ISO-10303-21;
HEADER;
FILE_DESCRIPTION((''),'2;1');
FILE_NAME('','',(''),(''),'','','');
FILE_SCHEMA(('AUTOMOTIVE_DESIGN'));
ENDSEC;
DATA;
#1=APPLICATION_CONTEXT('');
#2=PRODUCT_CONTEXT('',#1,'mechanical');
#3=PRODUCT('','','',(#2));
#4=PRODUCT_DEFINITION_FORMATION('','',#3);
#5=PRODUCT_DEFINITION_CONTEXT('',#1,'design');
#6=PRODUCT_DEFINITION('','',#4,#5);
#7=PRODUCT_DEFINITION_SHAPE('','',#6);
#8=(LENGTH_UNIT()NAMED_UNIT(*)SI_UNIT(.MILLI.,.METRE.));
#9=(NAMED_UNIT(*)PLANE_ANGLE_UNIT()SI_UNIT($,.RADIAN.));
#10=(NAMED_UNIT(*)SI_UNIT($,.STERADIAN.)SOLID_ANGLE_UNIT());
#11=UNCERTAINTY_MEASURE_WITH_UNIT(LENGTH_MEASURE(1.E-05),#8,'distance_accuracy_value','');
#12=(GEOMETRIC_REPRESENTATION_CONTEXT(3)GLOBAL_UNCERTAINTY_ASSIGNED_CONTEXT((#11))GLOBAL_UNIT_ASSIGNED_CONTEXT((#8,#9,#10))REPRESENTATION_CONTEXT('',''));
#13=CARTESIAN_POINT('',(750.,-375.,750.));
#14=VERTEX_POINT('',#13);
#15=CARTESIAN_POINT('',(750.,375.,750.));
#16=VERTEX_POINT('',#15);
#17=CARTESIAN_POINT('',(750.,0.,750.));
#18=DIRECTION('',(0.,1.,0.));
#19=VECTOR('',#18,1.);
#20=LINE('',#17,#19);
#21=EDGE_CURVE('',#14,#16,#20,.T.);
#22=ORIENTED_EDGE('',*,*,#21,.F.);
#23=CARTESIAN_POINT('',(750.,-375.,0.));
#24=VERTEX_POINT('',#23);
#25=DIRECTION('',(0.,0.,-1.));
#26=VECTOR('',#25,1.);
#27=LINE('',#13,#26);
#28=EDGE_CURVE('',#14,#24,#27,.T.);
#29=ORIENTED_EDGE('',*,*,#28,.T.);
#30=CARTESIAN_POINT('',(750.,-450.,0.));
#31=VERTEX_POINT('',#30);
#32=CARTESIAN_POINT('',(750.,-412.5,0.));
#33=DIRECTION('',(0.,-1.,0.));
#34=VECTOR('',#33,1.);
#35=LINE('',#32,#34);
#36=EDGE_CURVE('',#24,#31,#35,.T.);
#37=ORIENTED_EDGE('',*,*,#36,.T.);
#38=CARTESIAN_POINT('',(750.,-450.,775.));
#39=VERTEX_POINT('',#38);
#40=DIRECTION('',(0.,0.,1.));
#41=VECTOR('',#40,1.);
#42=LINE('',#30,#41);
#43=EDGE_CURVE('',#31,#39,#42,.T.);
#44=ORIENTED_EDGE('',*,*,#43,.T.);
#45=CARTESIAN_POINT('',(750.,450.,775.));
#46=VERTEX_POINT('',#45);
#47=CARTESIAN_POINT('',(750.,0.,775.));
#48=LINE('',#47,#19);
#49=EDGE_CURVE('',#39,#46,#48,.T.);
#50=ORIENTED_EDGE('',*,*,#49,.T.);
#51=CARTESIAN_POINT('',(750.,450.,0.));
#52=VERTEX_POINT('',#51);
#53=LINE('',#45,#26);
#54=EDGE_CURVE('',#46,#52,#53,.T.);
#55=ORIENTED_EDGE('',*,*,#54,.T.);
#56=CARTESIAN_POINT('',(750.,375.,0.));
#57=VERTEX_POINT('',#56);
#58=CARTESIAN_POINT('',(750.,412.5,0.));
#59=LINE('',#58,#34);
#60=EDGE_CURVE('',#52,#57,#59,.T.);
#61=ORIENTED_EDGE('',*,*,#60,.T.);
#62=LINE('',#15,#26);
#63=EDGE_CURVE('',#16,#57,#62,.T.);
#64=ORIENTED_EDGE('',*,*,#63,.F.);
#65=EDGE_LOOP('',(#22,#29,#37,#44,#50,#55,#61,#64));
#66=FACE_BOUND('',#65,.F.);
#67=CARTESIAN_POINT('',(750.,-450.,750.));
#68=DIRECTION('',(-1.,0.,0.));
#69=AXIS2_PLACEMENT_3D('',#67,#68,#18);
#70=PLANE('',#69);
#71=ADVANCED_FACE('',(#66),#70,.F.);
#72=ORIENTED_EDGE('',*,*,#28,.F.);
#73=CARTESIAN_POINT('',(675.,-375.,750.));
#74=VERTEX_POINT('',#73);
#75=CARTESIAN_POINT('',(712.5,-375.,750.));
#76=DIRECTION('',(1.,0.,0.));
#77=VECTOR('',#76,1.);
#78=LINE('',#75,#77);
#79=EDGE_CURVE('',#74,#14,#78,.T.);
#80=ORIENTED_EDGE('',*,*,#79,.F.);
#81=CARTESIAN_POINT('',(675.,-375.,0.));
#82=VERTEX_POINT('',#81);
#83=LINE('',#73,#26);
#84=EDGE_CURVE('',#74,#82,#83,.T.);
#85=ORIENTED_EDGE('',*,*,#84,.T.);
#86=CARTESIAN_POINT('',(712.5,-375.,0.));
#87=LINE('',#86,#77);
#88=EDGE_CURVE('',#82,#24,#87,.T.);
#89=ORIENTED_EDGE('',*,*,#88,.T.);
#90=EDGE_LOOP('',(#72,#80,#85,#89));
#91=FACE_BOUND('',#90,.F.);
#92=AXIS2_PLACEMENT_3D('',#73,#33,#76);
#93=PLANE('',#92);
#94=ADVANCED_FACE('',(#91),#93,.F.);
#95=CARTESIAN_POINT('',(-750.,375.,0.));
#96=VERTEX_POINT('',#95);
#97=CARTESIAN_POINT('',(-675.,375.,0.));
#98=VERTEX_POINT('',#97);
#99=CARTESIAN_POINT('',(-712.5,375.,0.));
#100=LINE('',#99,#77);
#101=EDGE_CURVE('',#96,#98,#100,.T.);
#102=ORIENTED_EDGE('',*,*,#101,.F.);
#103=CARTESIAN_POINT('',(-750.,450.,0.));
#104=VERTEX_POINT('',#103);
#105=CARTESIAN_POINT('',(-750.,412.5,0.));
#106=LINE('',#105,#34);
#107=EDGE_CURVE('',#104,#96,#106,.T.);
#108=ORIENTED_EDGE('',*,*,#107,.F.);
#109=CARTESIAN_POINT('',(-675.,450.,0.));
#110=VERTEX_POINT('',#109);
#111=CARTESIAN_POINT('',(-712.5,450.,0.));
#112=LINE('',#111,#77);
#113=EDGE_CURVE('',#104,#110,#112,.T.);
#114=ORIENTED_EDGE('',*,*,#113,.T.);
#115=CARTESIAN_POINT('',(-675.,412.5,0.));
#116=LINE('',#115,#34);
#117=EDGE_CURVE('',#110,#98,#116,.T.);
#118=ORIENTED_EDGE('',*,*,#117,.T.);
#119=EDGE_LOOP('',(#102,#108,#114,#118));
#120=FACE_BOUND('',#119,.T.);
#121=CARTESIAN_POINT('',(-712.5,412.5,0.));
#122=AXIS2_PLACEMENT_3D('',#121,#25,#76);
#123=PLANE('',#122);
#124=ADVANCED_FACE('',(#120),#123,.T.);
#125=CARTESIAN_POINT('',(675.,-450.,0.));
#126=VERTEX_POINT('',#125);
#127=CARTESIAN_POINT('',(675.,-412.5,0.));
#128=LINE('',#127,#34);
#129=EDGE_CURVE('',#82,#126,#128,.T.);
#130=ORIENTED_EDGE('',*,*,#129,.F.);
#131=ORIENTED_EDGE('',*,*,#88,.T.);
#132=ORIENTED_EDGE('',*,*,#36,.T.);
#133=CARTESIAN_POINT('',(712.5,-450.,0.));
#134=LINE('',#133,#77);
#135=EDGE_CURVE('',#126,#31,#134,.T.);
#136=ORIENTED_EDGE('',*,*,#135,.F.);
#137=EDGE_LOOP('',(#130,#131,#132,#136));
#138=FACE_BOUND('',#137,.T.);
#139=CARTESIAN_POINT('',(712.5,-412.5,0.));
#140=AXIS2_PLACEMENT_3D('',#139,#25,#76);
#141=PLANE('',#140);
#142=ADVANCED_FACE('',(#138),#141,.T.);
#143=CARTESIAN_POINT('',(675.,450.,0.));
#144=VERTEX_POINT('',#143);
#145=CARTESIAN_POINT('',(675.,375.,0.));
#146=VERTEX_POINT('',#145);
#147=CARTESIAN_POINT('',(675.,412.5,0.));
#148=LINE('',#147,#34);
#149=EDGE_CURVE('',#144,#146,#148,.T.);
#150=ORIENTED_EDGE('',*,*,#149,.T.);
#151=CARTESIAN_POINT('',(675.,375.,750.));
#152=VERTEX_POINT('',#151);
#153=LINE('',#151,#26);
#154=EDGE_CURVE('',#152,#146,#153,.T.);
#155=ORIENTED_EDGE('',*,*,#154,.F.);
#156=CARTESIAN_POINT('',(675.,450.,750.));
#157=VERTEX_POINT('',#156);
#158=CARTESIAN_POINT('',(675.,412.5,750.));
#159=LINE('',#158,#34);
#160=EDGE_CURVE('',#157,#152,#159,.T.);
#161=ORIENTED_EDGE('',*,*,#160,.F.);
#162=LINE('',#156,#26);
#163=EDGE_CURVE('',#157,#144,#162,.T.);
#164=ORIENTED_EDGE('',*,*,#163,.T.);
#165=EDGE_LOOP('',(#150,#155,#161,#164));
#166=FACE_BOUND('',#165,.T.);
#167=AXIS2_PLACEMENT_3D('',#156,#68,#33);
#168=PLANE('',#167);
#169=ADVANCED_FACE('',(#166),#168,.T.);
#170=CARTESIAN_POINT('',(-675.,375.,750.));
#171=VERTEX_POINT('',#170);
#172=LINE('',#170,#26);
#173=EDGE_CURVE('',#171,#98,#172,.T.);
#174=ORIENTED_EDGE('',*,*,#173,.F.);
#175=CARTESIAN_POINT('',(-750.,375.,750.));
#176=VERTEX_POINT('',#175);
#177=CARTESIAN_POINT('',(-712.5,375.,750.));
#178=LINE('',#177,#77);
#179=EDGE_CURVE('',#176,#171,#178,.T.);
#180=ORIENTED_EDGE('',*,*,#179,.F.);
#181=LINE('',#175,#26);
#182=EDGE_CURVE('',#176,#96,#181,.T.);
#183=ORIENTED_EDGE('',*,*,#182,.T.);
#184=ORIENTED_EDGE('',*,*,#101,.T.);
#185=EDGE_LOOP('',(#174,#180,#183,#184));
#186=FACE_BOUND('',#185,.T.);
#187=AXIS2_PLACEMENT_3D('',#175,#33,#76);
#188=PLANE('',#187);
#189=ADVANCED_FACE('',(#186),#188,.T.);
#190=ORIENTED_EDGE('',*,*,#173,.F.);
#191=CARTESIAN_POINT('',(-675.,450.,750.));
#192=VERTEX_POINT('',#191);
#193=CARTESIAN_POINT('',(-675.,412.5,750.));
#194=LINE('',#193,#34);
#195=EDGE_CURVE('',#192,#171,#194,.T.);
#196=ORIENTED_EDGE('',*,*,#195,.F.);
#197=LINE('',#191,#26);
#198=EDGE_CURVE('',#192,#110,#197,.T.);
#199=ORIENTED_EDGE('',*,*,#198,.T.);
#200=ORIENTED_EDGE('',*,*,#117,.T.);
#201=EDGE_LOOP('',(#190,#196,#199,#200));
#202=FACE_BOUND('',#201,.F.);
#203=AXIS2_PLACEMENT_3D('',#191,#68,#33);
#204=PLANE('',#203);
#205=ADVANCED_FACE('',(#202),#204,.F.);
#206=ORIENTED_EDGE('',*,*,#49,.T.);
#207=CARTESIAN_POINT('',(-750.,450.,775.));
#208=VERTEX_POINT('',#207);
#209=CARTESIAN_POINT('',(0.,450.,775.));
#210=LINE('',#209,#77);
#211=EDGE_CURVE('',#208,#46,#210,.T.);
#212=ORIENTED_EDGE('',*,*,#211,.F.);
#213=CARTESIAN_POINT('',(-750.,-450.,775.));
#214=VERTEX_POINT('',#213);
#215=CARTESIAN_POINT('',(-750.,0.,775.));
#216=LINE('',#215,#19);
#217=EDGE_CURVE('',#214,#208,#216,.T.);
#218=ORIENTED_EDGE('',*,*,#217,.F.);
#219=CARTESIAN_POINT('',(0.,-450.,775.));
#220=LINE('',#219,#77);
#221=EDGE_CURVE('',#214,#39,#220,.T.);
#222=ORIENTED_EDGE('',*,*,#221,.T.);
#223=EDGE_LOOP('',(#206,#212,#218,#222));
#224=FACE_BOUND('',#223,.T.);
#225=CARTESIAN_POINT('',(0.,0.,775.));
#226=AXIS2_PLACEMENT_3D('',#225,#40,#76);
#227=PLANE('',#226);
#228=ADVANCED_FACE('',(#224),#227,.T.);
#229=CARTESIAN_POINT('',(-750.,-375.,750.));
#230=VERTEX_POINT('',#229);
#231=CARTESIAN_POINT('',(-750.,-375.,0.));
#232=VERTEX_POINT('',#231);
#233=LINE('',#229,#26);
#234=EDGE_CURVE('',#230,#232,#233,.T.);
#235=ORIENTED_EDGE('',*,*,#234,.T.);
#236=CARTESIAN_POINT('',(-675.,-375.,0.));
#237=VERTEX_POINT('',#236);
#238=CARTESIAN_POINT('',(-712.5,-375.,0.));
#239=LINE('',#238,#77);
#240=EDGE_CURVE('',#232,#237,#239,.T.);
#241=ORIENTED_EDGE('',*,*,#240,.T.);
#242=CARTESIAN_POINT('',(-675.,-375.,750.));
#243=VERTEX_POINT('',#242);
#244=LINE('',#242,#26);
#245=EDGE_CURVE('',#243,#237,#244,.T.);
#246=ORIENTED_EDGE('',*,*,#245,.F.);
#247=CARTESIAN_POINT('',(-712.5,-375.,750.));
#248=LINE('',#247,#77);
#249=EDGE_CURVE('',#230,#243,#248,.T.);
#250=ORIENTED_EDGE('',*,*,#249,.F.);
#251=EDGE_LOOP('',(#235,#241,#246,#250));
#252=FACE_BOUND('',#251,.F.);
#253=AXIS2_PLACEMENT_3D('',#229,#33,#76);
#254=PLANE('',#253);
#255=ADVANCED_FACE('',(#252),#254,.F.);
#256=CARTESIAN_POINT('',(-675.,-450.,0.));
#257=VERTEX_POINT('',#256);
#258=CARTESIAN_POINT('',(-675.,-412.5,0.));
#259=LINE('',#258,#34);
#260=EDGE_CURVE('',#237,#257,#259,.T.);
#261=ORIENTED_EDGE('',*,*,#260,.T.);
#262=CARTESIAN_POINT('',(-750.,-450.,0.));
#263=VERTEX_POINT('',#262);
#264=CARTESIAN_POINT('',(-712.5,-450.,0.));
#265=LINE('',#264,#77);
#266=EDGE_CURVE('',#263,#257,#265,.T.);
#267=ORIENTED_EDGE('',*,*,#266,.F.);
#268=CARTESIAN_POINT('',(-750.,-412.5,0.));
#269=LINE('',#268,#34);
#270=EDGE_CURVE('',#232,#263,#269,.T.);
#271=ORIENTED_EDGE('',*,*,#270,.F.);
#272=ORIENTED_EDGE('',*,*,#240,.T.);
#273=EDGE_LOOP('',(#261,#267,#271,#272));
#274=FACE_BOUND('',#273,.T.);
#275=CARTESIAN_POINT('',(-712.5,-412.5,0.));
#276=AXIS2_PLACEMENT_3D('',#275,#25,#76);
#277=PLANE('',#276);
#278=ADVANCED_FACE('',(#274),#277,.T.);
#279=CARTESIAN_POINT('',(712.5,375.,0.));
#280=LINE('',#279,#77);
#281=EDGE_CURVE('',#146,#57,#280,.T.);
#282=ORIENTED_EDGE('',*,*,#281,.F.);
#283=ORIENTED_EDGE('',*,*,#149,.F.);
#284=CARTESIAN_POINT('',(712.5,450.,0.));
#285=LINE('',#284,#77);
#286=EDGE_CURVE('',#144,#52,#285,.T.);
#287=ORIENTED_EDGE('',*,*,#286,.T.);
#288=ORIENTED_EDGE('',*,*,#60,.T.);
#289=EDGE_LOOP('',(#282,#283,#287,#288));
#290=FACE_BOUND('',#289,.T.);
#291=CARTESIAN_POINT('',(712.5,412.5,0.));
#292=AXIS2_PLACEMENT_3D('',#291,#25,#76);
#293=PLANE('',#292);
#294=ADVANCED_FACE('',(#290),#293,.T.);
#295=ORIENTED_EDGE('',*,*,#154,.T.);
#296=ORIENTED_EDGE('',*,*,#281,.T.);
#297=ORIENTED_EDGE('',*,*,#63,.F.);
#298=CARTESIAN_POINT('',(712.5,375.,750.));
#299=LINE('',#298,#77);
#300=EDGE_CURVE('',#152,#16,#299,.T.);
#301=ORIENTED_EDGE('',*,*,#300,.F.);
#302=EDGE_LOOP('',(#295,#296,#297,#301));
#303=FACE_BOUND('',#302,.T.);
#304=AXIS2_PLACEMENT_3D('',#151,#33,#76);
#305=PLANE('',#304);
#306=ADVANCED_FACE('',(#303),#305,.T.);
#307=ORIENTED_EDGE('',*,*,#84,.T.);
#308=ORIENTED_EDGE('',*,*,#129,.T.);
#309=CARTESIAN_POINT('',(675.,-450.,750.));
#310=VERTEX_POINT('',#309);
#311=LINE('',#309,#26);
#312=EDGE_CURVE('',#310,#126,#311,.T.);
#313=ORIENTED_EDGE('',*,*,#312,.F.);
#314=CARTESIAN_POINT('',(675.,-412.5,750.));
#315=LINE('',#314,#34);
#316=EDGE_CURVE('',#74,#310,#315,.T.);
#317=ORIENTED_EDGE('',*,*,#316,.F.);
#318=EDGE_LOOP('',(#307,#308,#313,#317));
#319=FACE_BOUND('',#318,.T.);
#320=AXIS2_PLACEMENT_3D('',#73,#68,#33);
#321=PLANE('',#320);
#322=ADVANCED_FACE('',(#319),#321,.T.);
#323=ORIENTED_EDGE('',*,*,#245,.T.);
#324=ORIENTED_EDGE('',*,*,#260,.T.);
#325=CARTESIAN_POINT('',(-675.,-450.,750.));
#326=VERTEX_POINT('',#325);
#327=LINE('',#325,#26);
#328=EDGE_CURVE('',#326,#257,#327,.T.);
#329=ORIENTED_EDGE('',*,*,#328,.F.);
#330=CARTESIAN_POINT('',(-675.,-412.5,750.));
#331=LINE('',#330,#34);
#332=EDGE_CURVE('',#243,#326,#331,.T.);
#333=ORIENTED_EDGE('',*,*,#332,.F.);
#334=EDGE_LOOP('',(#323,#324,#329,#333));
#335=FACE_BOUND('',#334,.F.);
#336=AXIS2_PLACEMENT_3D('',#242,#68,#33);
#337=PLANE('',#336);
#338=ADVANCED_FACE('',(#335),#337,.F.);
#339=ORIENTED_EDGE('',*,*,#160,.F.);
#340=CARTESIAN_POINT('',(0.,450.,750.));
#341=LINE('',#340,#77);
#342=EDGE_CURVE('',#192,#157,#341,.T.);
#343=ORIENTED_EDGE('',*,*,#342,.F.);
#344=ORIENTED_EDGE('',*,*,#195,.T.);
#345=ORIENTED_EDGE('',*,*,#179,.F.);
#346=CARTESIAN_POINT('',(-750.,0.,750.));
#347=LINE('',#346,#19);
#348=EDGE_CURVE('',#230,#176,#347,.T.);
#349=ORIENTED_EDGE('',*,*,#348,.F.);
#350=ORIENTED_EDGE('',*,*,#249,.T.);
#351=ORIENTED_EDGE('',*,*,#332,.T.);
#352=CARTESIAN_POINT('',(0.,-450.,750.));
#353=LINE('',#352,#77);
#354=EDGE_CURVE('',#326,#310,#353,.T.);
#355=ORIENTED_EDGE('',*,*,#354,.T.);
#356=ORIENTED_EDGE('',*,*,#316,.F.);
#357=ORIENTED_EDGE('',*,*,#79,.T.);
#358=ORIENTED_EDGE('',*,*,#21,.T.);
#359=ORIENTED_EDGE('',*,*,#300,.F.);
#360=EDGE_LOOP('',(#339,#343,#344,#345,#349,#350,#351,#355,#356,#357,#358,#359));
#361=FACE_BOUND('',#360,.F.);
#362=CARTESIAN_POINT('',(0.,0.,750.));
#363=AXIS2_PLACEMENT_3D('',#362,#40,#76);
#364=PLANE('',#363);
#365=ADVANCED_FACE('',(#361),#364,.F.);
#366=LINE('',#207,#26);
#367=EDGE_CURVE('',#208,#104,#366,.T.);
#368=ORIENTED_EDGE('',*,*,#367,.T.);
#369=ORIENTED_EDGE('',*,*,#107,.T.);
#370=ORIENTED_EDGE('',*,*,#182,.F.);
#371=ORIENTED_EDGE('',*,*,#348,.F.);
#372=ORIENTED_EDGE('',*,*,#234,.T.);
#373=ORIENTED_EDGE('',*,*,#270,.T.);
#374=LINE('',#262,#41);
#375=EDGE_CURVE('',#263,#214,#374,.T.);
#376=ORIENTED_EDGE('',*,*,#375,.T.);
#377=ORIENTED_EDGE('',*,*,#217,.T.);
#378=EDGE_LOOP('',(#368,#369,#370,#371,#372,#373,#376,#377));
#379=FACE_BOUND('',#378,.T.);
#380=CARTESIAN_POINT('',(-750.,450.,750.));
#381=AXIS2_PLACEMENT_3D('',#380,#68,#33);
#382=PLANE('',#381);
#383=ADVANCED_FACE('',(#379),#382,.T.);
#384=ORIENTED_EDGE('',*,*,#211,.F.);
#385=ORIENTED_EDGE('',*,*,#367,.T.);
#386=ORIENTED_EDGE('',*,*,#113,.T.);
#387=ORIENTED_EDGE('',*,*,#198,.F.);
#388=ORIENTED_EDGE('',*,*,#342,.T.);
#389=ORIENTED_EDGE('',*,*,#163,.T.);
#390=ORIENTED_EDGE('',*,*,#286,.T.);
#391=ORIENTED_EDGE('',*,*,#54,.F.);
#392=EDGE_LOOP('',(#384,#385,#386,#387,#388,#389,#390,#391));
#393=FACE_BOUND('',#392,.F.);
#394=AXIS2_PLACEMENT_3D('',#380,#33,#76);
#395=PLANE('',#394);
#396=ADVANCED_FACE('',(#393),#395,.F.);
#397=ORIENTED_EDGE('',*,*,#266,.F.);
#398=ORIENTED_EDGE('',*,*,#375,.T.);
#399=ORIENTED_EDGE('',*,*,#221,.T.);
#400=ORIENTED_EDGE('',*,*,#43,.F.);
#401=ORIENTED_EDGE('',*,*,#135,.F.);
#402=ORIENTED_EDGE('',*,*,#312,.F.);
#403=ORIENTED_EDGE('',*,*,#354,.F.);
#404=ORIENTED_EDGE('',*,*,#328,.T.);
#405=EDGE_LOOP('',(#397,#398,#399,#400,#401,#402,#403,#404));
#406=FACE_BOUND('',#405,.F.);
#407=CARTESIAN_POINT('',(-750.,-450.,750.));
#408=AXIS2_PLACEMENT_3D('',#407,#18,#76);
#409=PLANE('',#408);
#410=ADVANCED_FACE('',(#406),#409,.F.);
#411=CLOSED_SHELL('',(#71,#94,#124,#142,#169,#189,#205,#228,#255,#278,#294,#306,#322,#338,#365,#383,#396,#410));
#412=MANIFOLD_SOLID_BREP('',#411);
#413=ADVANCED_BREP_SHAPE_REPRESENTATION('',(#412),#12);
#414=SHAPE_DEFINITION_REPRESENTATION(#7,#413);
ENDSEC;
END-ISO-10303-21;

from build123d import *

# Parameters (mm, degrees)
F1_W     = 1500
F1_H     = 900
F2_DEPTH = 25
F3_W     = 75
F3_H     = 75
F4_DEPTH = 750


with BuildPart() as f2:
    # F1 (on offset) → F2 (new body)
    with BuildSketch(Plane.XY.offset(750)):
        Rectangle(F1_W, F1_H)
    extrude(amount=F2_DEPTH)

    # F3 (on face) → F4 (join, through all)
    with BuildSketch(Plane(origin=(0, 0, 750), x_dir=(1, 0, 0), z_dir=(0, 0, -1))):
        with Locations((-712.5, -412.5)):
            Rectangle(F3_W, F3_H)
        with Locations((-712.5, 412.5)):
            Rectangle(F3_W, F3_H)
        with Locations((712.5, 412.5)):
            Rectangle(F3_W, F3_H)
        with Locations((712.5, -412.5)):
            Rectangle(F3_W, F3_H)
    extrude(amount=F4_DEPTH)


solid = f2.part
